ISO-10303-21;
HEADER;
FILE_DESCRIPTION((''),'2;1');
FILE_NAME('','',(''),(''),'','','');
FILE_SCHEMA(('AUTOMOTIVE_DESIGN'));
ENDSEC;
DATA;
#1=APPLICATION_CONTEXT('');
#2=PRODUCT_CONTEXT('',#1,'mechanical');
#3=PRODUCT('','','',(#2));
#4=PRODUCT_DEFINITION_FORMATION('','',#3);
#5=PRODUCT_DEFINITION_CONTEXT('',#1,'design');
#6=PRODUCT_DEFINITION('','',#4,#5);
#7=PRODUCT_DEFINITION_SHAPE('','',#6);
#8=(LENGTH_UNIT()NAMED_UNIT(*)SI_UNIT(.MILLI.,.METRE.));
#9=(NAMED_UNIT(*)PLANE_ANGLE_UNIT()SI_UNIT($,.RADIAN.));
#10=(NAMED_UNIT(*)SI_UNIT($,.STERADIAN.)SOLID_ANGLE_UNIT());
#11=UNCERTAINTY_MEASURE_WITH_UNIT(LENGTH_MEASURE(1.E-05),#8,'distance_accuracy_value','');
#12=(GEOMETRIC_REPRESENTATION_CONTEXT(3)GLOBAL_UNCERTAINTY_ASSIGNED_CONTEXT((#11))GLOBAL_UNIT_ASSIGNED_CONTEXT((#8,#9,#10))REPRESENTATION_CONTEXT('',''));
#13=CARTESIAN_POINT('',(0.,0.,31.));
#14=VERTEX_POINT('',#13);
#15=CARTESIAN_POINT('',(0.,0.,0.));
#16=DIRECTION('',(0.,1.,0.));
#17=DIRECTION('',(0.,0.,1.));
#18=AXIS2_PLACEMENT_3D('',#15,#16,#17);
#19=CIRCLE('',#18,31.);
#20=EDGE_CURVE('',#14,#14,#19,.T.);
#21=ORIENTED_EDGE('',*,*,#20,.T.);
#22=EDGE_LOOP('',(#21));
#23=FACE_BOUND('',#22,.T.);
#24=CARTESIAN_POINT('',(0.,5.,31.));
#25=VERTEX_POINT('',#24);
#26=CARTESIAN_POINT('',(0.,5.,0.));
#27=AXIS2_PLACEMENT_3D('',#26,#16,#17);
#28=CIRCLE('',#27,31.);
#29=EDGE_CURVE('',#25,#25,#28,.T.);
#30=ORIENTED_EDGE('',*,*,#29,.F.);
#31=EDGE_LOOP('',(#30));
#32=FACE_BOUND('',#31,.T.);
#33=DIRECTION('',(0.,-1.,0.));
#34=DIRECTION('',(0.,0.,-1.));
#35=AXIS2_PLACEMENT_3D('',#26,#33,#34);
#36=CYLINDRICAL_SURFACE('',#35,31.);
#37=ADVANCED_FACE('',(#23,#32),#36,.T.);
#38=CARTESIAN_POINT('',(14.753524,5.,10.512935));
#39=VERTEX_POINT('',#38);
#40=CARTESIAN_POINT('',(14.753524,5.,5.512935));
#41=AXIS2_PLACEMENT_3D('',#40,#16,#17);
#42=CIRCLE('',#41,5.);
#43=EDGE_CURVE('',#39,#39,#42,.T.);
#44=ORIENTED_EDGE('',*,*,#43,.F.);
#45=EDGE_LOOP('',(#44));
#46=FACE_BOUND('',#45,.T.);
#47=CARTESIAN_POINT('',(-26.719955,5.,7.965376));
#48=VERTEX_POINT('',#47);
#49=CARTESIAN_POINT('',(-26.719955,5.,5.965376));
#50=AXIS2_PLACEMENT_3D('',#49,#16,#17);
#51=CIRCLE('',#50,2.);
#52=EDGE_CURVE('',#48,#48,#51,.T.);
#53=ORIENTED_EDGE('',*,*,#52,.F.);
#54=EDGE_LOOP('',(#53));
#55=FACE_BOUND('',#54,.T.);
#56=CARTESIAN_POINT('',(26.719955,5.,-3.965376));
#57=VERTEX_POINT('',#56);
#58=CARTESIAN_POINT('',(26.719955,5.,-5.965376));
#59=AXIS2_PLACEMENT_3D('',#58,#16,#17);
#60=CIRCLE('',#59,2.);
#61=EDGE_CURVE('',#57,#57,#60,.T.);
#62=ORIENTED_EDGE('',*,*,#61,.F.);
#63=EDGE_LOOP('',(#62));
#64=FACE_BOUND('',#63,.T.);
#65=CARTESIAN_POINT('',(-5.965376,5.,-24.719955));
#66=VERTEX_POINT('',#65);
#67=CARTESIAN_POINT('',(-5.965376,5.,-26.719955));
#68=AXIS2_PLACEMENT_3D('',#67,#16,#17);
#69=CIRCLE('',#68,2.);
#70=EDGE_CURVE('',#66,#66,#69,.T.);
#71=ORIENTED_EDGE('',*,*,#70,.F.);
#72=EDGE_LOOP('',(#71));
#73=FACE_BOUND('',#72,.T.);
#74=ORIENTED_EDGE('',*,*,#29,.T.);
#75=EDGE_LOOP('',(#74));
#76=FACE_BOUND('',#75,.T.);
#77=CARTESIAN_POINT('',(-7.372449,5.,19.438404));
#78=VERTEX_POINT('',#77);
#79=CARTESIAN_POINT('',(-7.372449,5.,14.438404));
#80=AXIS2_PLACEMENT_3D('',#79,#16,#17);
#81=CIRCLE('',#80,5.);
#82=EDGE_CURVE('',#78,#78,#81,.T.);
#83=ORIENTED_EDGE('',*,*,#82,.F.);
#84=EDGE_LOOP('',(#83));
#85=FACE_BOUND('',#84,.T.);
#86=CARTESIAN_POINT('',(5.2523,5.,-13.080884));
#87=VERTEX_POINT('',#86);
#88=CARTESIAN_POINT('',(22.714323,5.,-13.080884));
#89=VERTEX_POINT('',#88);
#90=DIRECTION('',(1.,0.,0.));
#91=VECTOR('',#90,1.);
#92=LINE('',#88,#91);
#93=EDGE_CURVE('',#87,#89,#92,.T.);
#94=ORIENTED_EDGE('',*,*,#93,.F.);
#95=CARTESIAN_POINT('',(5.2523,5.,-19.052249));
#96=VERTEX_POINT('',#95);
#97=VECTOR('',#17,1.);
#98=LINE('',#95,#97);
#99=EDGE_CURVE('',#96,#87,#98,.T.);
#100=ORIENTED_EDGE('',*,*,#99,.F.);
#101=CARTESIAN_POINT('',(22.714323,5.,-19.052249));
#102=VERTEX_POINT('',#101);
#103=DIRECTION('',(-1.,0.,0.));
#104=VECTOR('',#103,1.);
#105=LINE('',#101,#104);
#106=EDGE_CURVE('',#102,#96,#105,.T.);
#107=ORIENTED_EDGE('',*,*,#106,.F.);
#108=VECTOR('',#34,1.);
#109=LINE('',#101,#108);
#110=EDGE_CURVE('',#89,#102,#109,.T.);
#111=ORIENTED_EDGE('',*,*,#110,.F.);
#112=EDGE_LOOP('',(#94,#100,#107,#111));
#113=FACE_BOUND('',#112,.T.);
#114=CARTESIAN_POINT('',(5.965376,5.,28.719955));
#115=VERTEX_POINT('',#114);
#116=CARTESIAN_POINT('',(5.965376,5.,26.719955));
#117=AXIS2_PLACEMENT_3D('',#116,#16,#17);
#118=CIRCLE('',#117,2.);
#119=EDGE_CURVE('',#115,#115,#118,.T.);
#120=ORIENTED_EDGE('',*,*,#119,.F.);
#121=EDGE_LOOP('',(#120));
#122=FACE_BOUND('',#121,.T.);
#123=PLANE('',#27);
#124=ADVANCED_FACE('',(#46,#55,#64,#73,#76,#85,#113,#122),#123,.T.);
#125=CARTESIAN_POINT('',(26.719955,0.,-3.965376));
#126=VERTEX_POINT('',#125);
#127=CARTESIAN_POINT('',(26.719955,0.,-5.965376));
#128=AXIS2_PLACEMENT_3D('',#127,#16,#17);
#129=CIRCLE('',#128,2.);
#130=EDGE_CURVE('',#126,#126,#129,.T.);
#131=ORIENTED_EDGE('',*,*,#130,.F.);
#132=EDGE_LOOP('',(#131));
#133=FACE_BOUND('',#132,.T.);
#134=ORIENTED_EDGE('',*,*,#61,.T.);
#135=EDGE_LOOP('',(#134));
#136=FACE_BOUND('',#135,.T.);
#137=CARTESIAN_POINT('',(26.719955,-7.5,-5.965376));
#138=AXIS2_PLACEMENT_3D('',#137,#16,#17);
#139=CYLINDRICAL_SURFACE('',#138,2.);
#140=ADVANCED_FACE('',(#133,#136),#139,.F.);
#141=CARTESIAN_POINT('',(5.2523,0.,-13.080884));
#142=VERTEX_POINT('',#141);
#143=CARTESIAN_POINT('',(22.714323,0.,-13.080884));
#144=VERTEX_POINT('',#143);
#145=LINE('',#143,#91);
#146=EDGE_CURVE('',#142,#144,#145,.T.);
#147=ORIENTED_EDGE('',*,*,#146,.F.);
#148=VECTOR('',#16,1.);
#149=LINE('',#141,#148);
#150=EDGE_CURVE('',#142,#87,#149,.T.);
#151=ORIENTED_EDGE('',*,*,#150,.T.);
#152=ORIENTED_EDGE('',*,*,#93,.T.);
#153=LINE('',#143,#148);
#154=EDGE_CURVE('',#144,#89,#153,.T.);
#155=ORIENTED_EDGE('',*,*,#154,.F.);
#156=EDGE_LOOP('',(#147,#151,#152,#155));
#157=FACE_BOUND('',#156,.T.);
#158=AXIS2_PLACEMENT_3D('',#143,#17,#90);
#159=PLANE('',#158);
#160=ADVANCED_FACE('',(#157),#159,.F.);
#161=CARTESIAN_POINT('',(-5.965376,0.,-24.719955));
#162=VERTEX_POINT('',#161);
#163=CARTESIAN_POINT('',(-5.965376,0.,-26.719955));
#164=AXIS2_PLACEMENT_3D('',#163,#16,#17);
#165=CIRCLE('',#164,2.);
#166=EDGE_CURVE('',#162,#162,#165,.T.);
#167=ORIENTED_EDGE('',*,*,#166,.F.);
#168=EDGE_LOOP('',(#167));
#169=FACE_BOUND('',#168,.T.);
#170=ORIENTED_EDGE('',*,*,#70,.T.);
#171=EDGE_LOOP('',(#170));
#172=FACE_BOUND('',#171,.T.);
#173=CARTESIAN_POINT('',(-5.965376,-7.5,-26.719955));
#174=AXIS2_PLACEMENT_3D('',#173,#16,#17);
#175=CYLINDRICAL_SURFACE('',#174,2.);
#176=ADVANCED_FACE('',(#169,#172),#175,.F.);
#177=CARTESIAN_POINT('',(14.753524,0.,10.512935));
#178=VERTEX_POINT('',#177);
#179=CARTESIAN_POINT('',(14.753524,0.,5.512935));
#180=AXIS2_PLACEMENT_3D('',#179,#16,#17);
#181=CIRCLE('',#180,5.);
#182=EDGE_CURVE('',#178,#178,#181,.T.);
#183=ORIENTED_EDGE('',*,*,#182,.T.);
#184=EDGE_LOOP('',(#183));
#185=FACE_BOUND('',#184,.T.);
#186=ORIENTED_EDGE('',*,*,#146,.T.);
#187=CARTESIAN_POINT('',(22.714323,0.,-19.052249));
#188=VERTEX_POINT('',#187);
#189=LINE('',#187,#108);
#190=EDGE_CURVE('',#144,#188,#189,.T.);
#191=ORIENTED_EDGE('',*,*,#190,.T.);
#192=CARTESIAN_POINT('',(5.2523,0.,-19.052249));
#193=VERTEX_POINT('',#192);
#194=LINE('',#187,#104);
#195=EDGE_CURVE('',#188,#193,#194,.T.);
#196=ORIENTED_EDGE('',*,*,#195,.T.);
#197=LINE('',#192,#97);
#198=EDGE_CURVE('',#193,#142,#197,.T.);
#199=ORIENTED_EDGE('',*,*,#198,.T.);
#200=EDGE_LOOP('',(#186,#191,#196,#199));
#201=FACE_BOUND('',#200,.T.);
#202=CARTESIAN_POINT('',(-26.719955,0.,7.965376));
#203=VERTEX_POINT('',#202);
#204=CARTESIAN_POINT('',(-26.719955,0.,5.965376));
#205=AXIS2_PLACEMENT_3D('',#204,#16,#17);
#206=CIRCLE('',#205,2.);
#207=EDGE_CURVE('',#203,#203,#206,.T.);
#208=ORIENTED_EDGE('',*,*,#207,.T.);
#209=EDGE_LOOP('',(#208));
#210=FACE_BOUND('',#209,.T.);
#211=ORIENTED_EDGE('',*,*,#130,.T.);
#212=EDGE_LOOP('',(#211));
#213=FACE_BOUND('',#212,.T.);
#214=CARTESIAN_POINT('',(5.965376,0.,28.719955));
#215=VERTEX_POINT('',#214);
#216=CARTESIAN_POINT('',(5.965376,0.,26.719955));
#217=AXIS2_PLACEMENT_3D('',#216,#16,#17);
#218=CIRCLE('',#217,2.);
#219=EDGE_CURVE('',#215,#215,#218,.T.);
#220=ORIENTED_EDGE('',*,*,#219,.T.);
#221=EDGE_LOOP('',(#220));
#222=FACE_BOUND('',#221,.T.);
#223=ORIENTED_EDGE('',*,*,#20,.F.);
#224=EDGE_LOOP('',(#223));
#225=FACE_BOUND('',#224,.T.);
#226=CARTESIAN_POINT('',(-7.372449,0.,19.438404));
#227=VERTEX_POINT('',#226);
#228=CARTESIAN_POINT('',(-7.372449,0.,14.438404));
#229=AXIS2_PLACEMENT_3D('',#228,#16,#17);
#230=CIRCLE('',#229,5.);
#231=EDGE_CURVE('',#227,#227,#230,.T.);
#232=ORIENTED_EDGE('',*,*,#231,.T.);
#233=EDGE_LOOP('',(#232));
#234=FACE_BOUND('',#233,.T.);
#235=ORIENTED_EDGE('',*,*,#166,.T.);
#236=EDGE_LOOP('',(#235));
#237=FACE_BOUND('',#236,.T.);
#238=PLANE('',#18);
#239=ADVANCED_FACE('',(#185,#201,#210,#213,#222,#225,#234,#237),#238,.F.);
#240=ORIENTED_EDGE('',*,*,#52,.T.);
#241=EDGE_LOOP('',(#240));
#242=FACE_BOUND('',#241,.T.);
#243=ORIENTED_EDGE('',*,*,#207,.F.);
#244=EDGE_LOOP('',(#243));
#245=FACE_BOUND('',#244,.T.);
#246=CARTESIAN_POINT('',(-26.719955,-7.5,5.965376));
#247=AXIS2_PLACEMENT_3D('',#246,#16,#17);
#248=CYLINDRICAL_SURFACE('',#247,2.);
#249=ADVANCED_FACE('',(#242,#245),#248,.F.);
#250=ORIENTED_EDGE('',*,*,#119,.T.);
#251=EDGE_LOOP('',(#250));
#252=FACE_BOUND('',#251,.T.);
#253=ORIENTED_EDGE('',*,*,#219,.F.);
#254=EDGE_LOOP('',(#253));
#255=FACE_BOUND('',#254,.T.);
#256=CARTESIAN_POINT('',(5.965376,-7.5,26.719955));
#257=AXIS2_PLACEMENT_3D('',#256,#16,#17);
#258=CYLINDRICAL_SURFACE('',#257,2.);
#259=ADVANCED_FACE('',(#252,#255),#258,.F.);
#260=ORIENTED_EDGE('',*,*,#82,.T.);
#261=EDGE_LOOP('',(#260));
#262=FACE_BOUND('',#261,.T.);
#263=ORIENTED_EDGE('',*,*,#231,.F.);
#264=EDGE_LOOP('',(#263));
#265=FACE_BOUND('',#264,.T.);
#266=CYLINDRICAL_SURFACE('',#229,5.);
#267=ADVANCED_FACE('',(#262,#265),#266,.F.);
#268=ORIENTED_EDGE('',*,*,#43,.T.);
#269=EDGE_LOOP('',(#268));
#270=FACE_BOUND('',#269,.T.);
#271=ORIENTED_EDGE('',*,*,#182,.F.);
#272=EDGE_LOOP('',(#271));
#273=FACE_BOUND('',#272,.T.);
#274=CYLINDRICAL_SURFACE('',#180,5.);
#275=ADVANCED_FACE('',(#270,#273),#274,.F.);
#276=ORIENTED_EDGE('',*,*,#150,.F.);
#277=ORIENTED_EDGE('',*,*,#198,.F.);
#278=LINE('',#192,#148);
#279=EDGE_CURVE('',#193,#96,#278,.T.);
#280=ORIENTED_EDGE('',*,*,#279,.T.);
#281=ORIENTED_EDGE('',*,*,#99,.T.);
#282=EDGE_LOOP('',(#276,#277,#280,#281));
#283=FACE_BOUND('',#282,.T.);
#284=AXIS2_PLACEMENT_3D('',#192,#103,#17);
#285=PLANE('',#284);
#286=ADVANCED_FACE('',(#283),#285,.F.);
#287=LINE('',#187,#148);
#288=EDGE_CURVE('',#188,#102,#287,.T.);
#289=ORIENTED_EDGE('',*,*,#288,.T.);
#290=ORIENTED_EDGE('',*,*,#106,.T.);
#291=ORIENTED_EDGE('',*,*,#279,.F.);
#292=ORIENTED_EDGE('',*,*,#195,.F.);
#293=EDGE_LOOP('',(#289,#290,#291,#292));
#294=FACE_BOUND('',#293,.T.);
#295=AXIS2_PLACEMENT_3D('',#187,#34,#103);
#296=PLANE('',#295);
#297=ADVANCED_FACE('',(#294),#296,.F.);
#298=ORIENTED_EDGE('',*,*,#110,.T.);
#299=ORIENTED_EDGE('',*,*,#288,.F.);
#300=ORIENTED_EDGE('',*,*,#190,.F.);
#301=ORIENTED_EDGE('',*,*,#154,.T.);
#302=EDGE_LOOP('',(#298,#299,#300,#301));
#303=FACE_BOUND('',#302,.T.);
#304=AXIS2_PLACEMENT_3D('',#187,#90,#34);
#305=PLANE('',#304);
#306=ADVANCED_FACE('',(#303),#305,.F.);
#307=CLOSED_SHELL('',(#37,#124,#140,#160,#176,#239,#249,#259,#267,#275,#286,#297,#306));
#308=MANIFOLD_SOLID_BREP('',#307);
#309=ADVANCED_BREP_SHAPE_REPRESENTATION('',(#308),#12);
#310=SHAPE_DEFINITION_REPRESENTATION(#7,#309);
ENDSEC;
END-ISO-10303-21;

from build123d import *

# Parameters (mm, degrees)
SKETCH1_R           = 31
BOSS_EXTRUDE1_DEPTH = 5
SKETCH2_R           = 2
CUT_EXTRUDE1_DEPTH  = 12.5
SKETCH5_W           = 17.462022727
SKETCH5_H           = 5.971364383
CUT_EXTRUDE3_DEPTH  = 5
SKETCH6_R           = 5
CUT_EXTRUDE4_DEPTH  = 5


with BuildPart() as part:
    # Sketch1 → Boss-Extrude1 (new body)
    with BuildSketch(Plane(origin=(0, 0, 0), x_dir=(1, 0, 0), z_dir=(0, 1, 0))):
        with Locations(Location((0, 0, 0), (0, 0, 270))):
            Circle(SKETCH1_R)
    extrude(amount=BOSS_EXTRUDE1_DEPTH)

    # Sketch2 → Cut-Extrude1 (cut)
    with BuildSketch(Plane(origin=(0, 5, 0), x_dir=(1, 0, 0), z_dir=(0, 1, 0))):
        with Locations(Location((-26.719955328, -5.965376271, 0), (0, 0, 270))):
            Circle(SKETCH2_R)
        with Locations(Location((-5.965376271, 26.719955328, 0), (0, 0, 270))):
            Circle(SKETCH2_R)
        with Locations(Location((26.719955328, 5.965376271, 0), (0, 0, 270))):
            Circle(SKETCH2_R)
        with Locations(Location((5.965376271, -26.719955328, 0), (0, 0, 270))):
            Circle(SKETCH2_R)
    extrude(amount=-CUT_EXTRUDE1_DEPTH, mode=Mode.SUBTRACT)

    # Sketch5 → Cut-Extrude3 (cut)
    with BuildSketch(Plane(origin=(0, 5, 0), x_dir=(1, 0, 0), z_dir=(0, 1, 0))):
        with Locations((13.983311231, 16.066566387)):
            Rectangle(SKETCH5_W, SKETCH5_H)
    extrude(amount=-CUT_EXTRUDE3_DEPTH, mode=Mode.SUBTRACT)

    # Sketch6 → Cut-Extrude4 (cut)
    with BuildSketch(Plane(origin=(0, 5, 0), x_dir=(1, 0, 0), z_dir=(0, 1, 0))):
        with Locations(Location((-7.372449441, -14.438403546, 0), (0, 0, 270))):
            Circle(SKETCH6_R)
        with Locations(Location((14.753523974, -5.51293548, 0), (0, 0, 270))):
            Circle(SKETCH6_R)
    extrude(amount=-CUT_EXTRUDE4_DEPTH, mode=Mode.SUBTRACT)


solid = part.part
